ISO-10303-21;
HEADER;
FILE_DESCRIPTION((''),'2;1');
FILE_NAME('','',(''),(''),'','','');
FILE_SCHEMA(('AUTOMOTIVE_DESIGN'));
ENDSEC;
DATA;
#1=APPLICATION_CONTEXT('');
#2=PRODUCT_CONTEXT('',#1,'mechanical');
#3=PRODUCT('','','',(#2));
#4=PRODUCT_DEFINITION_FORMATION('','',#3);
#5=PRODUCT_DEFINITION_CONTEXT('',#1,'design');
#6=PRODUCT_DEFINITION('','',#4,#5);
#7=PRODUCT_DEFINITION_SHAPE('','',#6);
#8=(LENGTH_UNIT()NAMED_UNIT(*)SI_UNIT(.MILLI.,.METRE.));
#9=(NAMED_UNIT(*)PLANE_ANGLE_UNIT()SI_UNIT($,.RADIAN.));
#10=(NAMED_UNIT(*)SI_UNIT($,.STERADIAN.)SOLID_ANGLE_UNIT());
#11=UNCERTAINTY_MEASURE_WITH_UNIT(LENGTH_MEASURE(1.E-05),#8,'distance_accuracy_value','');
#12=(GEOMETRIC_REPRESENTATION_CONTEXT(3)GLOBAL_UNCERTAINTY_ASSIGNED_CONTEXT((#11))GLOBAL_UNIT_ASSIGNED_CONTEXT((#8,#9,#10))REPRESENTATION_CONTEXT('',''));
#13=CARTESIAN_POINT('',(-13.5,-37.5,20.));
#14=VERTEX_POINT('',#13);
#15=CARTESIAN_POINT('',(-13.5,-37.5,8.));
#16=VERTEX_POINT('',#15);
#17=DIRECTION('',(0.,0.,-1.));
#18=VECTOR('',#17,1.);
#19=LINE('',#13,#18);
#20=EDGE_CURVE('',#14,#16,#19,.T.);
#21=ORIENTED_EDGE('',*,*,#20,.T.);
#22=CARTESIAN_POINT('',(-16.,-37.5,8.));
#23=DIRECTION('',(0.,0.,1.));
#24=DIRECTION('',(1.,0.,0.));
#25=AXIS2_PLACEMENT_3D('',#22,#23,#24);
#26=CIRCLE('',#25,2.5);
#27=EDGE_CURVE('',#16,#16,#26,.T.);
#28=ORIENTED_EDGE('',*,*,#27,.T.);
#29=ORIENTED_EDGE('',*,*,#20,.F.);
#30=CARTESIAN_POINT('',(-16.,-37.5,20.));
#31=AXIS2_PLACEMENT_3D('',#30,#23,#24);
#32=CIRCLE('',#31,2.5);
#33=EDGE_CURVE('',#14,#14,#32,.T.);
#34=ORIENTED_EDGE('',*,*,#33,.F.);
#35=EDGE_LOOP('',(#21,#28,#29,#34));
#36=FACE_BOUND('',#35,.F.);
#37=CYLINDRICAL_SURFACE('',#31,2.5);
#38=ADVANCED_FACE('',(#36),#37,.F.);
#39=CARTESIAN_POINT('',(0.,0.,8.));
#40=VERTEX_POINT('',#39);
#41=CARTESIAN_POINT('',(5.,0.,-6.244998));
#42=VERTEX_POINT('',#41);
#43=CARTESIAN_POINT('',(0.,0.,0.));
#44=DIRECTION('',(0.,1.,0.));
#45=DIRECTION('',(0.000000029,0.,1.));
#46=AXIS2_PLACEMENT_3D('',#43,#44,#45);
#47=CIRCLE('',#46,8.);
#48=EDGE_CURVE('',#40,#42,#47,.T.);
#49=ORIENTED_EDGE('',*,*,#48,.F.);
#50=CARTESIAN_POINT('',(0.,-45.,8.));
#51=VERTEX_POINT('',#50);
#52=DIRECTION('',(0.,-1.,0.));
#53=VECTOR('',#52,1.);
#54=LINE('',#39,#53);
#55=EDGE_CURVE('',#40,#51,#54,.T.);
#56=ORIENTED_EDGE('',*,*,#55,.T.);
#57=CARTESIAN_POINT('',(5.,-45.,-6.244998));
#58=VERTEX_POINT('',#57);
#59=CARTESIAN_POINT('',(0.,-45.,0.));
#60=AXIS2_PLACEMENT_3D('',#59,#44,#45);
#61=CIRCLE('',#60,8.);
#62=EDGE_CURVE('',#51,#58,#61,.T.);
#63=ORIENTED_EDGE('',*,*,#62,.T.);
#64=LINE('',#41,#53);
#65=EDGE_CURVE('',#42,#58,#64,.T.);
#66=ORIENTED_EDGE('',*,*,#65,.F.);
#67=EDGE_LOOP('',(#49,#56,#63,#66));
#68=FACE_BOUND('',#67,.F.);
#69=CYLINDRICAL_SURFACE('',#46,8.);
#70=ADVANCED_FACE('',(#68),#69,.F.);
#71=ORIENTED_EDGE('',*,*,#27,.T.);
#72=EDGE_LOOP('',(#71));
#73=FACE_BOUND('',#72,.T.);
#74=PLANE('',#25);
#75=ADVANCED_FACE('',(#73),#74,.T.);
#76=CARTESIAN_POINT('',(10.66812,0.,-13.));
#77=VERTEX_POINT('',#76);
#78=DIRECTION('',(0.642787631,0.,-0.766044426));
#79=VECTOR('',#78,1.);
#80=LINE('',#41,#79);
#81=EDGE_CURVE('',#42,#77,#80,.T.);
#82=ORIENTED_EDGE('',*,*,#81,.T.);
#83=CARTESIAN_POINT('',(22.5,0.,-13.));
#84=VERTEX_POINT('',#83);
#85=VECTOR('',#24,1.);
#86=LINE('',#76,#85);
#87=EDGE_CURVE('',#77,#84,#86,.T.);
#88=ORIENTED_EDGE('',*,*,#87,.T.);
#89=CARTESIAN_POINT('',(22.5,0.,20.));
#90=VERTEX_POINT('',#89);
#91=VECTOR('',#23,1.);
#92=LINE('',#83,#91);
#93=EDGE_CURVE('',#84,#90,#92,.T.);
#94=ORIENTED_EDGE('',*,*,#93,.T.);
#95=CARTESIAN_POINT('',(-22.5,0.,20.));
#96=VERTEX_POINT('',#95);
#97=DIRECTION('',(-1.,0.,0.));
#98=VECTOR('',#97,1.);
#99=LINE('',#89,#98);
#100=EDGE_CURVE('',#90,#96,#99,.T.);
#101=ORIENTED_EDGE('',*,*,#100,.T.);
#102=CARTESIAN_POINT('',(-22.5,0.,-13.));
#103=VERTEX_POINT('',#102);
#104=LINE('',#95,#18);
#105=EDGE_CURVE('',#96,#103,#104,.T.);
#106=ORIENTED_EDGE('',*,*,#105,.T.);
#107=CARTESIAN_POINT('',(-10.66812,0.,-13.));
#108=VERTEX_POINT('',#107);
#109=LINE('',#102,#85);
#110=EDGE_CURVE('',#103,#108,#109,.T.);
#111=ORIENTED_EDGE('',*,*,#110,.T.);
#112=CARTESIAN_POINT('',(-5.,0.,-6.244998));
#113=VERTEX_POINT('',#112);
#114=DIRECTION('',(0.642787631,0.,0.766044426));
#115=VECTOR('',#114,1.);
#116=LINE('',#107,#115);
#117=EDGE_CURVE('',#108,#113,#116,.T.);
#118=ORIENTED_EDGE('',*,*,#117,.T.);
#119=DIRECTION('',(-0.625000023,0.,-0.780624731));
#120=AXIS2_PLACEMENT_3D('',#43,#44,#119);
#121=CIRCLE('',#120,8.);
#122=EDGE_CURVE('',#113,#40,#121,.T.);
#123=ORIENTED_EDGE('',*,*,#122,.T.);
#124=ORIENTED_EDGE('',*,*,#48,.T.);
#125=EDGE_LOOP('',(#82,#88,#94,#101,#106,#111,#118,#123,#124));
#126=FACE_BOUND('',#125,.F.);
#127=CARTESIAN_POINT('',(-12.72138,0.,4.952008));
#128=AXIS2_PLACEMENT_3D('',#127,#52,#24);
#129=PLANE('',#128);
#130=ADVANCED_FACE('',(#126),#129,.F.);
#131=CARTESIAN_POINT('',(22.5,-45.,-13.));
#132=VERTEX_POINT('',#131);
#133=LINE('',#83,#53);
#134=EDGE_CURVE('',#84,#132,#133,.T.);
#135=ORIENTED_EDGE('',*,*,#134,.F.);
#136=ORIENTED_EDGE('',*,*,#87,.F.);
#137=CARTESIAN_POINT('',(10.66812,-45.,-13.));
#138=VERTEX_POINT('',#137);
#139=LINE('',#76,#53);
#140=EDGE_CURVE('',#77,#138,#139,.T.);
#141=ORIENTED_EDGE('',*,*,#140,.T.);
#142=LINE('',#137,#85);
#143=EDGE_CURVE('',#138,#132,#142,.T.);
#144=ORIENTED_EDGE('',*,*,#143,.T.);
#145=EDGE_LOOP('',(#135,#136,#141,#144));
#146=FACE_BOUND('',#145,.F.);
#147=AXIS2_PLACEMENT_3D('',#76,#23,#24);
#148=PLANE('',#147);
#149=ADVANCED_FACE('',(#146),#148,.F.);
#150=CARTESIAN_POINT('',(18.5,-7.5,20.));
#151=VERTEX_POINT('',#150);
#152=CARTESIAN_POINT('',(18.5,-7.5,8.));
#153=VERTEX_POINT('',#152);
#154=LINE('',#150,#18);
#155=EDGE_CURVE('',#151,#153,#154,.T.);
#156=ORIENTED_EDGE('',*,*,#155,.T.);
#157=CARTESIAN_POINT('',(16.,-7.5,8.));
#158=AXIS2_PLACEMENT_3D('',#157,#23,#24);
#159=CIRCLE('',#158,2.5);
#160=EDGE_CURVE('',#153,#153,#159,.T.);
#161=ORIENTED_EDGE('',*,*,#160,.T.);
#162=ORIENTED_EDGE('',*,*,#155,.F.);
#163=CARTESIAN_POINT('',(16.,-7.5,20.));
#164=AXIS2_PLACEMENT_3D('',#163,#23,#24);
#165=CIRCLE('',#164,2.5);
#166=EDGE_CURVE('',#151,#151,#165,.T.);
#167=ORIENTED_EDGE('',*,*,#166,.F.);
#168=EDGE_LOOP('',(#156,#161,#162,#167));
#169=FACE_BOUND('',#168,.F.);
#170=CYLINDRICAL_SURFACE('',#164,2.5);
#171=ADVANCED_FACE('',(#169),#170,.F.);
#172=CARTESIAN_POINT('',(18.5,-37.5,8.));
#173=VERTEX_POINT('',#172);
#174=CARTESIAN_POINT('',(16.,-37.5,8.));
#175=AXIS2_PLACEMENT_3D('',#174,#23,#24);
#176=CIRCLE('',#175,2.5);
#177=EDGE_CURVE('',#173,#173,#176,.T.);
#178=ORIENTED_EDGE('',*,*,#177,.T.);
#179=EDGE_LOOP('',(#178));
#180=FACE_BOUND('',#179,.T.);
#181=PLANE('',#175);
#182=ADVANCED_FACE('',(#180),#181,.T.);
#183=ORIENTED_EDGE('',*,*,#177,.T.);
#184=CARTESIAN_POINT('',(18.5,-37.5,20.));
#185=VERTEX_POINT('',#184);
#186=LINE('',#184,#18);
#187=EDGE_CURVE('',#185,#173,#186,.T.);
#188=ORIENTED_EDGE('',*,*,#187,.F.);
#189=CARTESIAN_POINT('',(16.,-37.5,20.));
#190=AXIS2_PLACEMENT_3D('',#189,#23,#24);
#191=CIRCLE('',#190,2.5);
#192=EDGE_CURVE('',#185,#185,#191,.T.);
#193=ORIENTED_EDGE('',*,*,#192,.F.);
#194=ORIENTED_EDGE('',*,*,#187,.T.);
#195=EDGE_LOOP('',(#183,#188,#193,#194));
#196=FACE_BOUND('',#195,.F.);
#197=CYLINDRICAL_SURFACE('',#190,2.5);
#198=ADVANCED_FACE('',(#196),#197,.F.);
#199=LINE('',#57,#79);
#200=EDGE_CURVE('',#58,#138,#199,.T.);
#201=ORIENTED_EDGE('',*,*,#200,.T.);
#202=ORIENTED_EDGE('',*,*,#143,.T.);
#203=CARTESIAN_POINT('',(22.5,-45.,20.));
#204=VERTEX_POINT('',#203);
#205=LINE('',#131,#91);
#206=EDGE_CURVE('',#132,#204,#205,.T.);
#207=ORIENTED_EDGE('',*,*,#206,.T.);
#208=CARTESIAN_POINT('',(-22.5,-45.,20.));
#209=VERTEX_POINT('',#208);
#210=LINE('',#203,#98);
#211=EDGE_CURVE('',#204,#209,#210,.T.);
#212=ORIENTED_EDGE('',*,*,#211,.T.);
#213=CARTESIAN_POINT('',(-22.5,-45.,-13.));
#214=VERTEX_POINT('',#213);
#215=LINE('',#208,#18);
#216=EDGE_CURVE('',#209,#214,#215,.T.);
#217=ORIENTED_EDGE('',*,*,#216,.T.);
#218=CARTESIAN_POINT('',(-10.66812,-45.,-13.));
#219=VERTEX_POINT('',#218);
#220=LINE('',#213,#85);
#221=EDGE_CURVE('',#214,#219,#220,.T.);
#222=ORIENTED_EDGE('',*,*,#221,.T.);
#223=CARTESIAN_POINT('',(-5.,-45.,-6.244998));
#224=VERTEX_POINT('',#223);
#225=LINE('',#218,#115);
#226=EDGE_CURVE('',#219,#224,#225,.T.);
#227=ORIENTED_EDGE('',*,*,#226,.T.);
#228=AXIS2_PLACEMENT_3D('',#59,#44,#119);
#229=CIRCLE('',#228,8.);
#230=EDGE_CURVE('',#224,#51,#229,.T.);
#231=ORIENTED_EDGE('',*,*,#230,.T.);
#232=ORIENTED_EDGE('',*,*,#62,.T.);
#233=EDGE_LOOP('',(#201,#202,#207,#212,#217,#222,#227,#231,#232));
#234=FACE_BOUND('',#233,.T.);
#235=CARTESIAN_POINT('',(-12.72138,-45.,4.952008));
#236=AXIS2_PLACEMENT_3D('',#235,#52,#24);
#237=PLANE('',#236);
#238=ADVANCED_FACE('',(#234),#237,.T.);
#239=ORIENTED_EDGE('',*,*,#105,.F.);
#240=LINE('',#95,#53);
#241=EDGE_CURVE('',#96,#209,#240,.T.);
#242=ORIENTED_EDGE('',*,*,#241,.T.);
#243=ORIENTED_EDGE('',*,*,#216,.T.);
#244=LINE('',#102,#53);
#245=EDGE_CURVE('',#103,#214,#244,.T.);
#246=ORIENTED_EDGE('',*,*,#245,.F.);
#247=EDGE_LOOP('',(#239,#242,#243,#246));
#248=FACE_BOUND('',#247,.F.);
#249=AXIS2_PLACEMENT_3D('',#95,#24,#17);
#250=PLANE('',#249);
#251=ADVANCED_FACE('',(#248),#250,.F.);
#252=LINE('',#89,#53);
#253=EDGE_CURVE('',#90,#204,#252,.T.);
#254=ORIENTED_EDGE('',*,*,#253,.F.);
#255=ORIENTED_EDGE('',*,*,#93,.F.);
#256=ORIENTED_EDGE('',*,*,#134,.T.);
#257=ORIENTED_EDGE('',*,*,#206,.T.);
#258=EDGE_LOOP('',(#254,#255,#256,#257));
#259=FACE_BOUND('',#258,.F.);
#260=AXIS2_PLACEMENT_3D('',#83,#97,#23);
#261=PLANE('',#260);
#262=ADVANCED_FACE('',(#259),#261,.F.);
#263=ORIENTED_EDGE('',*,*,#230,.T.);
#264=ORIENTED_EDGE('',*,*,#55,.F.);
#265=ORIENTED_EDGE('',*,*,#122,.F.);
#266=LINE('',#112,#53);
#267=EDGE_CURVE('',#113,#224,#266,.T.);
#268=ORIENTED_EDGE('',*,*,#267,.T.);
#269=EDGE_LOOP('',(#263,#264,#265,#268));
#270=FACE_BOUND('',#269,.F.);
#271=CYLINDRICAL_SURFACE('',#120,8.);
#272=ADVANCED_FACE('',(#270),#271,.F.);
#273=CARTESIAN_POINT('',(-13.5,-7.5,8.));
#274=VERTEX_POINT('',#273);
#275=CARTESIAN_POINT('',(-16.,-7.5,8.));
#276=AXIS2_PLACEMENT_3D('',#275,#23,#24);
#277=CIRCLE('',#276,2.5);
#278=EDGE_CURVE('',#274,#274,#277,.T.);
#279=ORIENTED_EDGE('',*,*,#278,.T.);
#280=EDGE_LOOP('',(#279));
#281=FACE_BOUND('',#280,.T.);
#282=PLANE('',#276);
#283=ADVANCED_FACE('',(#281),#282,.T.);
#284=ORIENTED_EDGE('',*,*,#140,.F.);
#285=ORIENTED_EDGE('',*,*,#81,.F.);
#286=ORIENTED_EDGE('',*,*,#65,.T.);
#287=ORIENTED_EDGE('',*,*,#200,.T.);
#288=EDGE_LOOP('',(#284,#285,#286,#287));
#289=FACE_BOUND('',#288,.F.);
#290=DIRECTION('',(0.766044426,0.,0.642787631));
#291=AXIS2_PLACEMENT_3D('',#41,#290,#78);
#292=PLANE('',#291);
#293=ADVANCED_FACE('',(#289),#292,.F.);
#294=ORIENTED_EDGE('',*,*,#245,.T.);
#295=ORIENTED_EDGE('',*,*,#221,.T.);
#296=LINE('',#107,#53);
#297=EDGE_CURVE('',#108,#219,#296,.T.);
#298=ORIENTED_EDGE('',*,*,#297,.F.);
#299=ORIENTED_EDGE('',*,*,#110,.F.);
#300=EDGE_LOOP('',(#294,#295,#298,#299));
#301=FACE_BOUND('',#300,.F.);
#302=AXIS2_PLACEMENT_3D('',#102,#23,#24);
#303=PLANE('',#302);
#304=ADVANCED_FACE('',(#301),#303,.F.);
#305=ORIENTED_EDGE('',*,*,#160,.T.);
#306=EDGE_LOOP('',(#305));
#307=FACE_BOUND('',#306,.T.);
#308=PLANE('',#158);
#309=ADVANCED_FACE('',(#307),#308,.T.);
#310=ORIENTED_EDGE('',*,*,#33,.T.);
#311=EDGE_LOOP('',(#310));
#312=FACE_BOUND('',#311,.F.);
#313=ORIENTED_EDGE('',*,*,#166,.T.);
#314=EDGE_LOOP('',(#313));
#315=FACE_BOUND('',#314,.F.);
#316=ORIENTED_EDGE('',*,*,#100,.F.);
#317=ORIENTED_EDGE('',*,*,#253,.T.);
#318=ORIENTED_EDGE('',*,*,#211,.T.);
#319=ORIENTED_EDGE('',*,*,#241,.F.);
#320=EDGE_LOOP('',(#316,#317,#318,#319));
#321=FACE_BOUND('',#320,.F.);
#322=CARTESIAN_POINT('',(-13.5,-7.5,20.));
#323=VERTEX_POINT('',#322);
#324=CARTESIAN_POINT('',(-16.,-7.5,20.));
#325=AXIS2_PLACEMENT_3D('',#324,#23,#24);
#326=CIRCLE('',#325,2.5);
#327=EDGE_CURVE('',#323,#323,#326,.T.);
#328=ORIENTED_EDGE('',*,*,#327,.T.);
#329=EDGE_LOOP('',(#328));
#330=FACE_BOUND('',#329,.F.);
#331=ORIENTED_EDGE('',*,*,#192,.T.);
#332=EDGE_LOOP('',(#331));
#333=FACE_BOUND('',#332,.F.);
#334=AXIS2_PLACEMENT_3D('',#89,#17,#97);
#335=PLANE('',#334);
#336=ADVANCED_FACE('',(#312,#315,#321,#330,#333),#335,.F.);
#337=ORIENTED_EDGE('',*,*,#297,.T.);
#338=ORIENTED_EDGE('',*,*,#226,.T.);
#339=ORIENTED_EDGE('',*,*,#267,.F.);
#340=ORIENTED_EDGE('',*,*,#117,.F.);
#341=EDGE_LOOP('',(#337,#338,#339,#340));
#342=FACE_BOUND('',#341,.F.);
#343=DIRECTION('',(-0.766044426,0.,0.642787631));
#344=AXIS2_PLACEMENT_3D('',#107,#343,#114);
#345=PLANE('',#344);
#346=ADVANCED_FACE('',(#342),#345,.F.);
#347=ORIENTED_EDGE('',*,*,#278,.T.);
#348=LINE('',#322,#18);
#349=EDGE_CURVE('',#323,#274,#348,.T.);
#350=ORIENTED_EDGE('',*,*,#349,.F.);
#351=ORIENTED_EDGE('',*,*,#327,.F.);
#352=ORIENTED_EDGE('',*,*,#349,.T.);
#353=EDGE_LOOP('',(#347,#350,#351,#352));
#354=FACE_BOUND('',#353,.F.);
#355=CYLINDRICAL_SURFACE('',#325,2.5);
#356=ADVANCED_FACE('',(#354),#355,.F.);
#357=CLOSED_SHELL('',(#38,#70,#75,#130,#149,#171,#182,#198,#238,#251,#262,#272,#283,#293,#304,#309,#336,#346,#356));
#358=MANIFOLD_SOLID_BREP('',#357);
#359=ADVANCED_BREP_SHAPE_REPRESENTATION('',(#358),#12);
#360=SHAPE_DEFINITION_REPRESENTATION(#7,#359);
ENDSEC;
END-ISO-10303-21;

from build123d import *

# Parameters (mm, degrees)
F1_DEPTH = 45
F2_R     = 2.5
F3_DEPTH = 12


with BuildPart() as f1:
    # F0 (on Front) → F1 (new body)
    with BuildSketch(Plane.XZ):
        with BuildLine():
            Line((0, 20), (-22.5, 20))
            Line((-22.5, 20), (-22.5, -13))
            Line((-22.5, -13), (-10.66812, -13))
            Line((-10.66812, -13), (-5, -6.244998))
            ThreePointArc((-5, -6.244998), (-7.548509, 2.64953), (0, 8))
            Line((0, 8), (0, 20))
        make_face()
        with BuildLine():
            Line((22.5, 20), (0, 20))
            Line((0, 20), (0, 8))
            ThreePointArc((0, 8), (7.548509, 2.64953), (5, -6.244998))
            Line((5, -6.244998), (10.66812, -13))
            Line((10.66812, -13), (22.5, -13))
            Line((22.5, -13), (22.5, 20))
        make_face()
    extrude(amount=F1_DEPTH)

    # F2 (on face) → F3 (cut)
    with BuildSketch(Plane.XY.offset(20)):
        with Locations((-16, -7.5)):
            Circle(F2_R)
        with Locations((16, -7.5)):
            Circle(F2_R)
        with Locations((16, -37.5)):
            Circle(F2_R)
        with Locations((-16, -37.5)):
            Circle(F2_R)
    extrude(amount=-F3_DEPTH, mode=Mode.SUBTRACT)


solid = f1.part
